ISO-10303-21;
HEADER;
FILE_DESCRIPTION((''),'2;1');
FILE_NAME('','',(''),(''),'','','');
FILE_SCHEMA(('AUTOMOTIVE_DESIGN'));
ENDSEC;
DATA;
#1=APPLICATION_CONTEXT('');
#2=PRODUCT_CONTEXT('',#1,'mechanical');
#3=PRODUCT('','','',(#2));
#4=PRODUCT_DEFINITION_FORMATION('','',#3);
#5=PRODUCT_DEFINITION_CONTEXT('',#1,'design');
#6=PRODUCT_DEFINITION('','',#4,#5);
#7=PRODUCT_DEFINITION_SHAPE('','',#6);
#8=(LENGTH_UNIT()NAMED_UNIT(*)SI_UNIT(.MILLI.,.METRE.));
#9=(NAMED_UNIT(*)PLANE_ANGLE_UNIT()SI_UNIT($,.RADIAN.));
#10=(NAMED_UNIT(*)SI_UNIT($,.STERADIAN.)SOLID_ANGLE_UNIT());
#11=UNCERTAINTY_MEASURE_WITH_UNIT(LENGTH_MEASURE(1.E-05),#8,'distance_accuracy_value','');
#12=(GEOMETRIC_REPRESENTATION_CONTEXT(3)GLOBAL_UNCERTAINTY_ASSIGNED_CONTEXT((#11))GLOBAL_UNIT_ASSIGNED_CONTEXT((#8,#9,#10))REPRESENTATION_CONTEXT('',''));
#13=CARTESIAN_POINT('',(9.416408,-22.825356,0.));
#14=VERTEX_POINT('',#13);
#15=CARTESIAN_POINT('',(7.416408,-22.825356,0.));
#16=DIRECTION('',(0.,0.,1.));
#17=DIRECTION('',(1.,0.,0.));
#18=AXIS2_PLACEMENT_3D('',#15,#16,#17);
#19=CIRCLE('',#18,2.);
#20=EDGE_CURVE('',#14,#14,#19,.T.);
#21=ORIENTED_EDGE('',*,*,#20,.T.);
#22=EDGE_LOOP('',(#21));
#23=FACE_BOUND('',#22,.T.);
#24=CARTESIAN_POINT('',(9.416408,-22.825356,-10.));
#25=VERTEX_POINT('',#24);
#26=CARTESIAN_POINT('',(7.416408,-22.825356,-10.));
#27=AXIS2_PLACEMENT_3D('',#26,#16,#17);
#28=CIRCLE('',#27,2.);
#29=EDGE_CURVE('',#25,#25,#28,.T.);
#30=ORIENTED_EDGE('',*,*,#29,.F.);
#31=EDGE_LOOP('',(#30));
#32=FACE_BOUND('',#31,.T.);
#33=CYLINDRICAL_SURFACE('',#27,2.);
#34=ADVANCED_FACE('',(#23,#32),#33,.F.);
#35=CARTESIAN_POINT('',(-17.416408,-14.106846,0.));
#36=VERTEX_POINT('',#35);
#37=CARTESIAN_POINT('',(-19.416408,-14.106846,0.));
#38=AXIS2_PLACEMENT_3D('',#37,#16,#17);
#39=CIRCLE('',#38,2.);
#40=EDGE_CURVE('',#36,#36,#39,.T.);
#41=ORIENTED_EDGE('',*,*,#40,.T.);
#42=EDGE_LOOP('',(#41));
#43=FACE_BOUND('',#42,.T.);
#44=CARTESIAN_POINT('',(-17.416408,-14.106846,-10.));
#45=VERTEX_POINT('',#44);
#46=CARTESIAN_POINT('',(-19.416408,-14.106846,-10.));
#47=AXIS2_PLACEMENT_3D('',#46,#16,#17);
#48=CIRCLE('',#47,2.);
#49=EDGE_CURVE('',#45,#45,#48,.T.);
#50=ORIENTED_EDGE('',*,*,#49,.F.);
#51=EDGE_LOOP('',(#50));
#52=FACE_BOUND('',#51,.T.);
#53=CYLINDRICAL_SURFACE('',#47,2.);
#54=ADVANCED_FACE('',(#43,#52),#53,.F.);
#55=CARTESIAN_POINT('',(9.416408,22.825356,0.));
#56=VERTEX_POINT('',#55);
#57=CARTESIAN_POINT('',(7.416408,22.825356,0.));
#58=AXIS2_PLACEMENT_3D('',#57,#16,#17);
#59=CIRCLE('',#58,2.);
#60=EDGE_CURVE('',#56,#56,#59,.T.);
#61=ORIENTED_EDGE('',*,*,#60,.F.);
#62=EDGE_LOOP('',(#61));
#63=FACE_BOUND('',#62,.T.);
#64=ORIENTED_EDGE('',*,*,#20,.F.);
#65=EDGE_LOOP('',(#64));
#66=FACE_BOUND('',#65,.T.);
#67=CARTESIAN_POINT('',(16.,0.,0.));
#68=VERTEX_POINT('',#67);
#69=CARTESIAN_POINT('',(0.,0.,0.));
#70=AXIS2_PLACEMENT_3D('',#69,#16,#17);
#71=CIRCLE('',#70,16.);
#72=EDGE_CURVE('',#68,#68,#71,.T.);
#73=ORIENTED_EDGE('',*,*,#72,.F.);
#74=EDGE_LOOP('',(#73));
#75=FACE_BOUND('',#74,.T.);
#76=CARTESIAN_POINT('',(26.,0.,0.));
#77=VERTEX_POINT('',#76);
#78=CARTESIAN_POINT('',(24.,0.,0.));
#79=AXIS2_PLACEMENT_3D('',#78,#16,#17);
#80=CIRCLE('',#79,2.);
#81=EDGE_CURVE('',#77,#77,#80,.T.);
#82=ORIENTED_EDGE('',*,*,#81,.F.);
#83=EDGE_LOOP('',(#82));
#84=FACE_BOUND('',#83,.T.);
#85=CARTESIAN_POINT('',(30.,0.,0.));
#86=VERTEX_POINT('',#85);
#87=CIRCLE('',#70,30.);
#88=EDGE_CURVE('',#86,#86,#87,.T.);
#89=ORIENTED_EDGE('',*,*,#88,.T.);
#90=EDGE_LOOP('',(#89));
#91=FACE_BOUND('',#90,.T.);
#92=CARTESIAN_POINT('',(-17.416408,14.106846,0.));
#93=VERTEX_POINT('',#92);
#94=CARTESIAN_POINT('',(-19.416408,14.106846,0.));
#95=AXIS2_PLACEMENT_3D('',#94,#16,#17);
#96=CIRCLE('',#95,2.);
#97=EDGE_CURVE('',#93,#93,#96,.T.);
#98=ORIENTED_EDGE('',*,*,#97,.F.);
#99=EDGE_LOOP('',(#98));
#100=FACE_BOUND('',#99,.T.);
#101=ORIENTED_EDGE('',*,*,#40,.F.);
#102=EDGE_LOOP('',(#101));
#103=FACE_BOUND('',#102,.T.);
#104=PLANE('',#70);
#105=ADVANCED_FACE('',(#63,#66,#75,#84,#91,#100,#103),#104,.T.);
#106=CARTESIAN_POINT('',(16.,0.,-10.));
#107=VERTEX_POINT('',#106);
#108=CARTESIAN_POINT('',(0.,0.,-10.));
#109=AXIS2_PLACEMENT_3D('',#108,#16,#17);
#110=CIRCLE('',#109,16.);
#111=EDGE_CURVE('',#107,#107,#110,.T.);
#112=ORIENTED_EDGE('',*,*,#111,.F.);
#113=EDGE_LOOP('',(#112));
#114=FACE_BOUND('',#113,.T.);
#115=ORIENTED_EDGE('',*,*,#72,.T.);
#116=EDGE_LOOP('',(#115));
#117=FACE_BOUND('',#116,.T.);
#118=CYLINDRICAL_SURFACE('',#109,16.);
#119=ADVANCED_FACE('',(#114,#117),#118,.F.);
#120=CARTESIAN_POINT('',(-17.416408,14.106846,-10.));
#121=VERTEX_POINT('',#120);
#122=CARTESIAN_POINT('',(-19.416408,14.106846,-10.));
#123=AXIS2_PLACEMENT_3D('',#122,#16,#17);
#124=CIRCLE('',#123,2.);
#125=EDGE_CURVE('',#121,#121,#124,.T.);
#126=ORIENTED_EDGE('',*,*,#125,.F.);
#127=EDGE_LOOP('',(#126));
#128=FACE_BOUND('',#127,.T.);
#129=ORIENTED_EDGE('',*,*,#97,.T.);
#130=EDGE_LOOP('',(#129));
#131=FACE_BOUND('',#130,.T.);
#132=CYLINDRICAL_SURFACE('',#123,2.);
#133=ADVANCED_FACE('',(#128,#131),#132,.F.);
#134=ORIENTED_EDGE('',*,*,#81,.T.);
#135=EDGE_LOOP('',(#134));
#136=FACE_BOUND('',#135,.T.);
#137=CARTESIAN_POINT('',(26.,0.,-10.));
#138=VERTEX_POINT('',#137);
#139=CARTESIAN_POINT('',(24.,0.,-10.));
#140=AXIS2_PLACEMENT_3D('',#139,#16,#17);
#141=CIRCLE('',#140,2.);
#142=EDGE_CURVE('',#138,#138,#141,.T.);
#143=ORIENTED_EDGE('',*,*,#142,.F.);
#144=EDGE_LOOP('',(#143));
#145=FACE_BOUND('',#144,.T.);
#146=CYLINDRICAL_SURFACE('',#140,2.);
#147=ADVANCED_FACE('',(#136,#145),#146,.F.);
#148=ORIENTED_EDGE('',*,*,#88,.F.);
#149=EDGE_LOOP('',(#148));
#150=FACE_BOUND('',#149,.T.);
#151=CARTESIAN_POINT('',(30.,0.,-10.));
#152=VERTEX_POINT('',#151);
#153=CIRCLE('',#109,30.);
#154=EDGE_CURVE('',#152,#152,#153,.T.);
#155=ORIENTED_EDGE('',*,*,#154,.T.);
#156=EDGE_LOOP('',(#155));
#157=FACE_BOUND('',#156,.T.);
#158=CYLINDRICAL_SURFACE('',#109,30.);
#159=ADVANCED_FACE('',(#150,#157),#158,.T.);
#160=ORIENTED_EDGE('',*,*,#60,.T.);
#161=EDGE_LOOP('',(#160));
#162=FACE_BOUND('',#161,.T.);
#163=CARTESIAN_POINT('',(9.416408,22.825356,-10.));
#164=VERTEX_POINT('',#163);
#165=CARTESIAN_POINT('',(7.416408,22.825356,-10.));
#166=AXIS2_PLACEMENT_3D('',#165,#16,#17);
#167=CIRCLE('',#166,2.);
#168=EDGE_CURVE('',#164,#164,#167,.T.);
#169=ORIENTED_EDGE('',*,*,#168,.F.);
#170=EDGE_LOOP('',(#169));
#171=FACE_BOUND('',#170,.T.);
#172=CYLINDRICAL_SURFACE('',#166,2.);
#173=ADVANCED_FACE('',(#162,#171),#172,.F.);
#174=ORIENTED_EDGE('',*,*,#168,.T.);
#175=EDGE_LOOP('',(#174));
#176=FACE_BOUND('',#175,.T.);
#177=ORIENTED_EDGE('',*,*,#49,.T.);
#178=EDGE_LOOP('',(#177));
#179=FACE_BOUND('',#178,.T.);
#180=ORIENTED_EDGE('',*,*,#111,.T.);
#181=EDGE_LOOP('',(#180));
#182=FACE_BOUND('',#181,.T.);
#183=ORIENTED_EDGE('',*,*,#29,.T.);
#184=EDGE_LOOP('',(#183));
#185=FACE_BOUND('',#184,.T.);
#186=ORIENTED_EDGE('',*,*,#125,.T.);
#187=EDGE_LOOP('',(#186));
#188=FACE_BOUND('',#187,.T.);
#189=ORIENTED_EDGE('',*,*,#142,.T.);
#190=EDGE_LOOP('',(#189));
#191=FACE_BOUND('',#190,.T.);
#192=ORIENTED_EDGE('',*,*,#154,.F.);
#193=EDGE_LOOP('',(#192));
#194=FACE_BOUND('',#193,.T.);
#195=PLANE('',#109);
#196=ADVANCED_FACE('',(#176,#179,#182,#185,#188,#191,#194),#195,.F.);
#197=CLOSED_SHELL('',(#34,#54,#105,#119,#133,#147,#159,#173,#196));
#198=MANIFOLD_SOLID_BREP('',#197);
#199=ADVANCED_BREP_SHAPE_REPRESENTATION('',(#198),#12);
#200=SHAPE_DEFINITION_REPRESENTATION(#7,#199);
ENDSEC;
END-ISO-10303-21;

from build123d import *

# Parameters (mm, degrees)
SKETCH1_R           = 30
SKETCH1_R_2         = 16
SKETCH1_R_3         = 2
BOSS_EXTRUDE1_DEPTH = 10


with BuildPart() as part:
    # Sketch1 → Boss-Extrude1 (new body)
    with BuildSketch(Plane.XY):
        Circle(SKETCH1_R)
        Circle(SKETCH1_R_2, mode=Mode.SUBTRACT)
        with Locations((24, 0)):
            Circle(SKETCH1_R_3, mode=Mode.SUBTRACT)
        with Locations((7.416407865, -22.825356391)):
            Circle(SKETCH1_R_3, mode=Mode.SUBTRACT)
        with Locations((-19.416407865, -14.106846055)):
            Circle(SKETCH1_R_3, mode=Mode.SUBTRACT)
        with Locations((-19.416407865, 14.106846055)):
            Circle(SKETCH1_R_3, mode=Mode.SUBTRACT)
        with Locations((7.416407865, 22.825356391)):
            Circle(SKETCH1_R_3, mode=Mode.SUBTRACT)
    extrude(amount=-BOSS_EXTRUDE1_DEPTH)


solid = part.part
